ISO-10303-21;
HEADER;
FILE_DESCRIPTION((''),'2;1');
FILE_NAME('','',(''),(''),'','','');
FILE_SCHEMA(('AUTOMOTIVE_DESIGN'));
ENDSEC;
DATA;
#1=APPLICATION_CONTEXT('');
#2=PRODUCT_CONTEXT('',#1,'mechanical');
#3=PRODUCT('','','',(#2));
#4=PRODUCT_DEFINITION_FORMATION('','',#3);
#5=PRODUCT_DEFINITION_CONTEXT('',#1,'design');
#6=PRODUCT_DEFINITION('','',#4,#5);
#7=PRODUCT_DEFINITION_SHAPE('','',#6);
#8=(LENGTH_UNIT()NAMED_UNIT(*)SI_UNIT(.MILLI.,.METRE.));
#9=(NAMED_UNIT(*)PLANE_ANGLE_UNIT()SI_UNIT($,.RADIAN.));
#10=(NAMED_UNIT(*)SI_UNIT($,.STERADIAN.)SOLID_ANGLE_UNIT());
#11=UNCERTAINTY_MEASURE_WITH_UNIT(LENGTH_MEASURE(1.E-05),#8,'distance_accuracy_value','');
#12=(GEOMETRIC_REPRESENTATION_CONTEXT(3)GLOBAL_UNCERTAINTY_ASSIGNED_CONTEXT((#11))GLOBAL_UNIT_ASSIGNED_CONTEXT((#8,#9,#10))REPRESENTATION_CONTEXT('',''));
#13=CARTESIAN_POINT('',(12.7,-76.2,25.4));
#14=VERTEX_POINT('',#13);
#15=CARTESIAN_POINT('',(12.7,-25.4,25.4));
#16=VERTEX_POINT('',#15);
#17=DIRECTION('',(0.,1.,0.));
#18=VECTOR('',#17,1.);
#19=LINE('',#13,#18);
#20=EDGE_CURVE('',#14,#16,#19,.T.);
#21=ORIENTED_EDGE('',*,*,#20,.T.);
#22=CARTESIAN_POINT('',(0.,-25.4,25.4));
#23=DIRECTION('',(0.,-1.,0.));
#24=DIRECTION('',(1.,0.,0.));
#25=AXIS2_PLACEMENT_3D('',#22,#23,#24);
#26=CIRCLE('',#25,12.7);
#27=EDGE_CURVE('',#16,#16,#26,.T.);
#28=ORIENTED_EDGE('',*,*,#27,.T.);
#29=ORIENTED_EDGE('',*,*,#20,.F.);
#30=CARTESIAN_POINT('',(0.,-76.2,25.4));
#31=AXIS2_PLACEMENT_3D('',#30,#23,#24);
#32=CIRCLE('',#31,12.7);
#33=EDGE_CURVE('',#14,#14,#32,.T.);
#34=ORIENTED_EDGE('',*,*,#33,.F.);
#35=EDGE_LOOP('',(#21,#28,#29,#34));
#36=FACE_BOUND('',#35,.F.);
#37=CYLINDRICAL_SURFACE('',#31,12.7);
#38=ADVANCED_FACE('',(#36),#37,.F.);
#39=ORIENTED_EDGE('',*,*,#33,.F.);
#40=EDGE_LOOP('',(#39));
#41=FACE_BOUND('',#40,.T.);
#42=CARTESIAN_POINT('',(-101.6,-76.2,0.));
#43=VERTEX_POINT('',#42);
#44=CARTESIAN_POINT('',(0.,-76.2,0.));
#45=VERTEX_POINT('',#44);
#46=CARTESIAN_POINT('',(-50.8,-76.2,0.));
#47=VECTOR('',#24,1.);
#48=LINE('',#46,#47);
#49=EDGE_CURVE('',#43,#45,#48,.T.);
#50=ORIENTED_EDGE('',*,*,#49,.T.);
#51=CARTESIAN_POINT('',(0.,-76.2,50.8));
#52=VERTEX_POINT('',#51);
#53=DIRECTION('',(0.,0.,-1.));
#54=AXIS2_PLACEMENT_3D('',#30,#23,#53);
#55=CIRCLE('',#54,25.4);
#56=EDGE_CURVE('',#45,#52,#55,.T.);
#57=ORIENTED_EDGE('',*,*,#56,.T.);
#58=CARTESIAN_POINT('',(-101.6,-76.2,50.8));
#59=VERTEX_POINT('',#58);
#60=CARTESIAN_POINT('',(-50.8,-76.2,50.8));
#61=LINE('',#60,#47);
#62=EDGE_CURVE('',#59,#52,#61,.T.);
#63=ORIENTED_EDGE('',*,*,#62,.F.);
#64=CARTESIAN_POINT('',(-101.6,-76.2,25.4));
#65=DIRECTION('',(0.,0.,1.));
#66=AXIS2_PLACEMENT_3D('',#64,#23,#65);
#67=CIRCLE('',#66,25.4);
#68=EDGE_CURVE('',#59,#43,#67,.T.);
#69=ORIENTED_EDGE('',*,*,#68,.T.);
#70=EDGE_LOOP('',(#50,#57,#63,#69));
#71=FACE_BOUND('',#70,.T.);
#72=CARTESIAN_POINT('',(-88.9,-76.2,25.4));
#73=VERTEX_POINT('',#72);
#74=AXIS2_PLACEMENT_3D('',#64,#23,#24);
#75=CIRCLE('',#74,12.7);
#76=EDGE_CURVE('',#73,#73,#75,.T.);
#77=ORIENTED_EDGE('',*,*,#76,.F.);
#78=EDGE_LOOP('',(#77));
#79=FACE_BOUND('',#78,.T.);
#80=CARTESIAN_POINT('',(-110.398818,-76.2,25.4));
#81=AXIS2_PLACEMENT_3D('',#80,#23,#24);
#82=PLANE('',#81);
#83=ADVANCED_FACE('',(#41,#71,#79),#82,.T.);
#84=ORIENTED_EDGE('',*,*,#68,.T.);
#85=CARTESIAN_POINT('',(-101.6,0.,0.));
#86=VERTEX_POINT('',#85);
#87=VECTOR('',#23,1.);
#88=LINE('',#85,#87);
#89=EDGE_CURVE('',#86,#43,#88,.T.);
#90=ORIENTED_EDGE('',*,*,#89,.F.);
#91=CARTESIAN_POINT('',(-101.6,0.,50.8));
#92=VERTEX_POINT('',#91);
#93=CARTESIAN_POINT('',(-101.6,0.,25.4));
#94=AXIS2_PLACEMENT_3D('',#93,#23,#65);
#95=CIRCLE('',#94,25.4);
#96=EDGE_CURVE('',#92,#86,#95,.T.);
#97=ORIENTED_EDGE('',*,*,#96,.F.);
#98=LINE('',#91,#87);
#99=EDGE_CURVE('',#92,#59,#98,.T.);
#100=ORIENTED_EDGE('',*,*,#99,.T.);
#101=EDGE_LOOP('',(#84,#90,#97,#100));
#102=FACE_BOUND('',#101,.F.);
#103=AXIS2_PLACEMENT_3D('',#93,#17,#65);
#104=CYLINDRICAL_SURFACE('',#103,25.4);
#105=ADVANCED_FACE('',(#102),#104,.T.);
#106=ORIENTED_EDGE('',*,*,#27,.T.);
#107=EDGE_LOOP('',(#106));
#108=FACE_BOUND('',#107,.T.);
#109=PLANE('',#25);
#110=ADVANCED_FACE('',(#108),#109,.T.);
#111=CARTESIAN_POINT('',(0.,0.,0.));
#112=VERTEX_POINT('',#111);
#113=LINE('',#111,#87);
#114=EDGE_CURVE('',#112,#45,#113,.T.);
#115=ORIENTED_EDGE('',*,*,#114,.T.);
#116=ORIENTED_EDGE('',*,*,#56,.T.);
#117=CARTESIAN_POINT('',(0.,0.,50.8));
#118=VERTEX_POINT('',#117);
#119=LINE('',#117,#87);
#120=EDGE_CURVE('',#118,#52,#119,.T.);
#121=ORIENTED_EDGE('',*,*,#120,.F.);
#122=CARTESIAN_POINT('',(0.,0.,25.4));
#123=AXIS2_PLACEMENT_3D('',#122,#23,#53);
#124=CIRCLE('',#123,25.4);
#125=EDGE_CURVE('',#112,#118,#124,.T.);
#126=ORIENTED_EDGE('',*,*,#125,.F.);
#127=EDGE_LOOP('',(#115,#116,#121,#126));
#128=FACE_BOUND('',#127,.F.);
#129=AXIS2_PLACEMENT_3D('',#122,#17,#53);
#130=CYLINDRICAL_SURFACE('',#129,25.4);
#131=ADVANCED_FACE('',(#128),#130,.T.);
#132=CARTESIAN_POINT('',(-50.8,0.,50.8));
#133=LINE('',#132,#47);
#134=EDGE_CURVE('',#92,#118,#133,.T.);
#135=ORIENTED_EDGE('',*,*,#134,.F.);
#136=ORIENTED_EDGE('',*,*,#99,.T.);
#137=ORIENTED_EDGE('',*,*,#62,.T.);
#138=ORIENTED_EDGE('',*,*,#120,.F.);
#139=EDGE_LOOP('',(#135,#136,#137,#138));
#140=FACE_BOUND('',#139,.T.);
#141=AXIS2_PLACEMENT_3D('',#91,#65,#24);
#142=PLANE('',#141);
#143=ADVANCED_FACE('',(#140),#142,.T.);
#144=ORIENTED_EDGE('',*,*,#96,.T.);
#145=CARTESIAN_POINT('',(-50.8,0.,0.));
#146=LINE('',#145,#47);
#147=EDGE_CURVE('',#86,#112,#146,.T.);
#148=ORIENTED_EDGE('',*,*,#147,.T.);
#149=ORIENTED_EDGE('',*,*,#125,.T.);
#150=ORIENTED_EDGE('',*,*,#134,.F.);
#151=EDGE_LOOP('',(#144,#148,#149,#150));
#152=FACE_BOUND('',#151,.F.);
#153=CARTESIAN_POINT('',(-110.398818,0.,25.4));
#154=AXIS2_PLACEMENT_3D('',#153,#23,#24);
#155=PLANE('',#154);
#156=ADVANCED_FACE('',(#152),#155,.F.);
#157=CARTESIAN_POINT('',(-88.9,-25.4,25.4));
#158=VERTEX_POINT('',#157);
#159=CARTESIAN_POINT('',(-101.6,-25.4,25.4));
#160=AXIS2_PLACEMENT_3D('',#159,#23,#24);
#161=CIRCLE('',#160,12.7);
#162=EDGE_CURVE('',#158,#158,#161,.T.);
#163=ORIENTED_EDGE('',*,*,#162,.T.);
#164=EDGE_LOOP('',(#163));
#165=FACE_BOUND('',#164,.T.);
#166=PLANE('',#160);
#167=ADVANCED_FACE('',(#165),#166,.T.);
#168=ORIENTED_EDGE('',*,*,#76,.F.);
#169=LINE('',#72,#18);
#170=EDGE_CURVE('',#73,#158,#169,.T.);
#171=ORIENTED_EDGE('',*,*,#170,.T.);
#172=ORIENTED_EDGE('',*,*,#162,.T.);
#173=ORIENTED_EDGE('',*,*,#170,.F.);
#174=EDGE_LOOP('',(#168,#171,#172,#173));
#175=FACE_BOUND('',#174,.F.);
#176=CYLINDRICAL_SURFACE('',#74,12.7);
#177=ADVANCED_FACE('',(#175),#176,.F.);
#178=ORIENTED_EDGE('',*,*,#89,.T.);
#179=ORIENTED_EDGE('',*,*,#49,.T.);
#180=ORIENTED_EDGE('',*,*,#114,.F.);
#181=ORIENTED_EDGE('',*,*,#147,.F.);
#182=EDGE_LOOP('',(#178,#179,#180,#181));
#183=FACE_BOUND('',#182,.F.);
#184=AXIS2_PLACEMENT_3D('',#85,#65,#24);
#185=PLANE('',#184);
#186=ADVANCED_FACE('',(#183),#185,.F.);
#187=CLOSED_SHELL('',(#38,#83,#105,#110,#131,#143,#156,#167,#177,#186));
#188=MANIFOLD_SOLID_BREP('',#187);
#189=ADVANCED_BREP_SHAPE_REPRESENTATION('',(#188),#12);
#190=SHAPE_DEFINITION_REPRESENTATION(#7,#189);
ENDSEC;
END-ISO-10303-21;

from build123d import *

# Parameters (mm, degrees)
F0_W     = 101.6
F0_H     = 50.8
F1_DEPTH = 76.2
F2_R     = 12.7
F3_DEPTH = 50.8


with BuildPart() as f1:
    # F0 (on Front) → F1 (new body)
    with BuildSketch(Plane.XZ):
        with BuildLine():
            ThreePointArc((-101.6, 50.8), (-127, 25.4), (-101.6, 0))
            Line((-101.6, 0), (-101.6, 50.8))
        make_face()
        with Locations((-50.8, 25.4)):
            Rectangle(F0_W, F0_H)
        with BuildLine():
            Line((0, 50.8), (0, 0))
            ThreePointArc((0, 0), (25.4, 25.4), (0, 50.8))
        make_face()
    extrude(amount=F1_DEPTH)

    # F2 (on face) → F3 (cut)
    with BuildSketch(Plane.XZ.offset(76.2)):
        with Locations((0, 25.4)):
            Circle(F2_R)
        with Locations((-101.6, 25.4)):
            Circle(F2_R)
    extrude(amount=-F3_DEPTH, mode=Mode.SUBTRACT)


solid = f1.part
